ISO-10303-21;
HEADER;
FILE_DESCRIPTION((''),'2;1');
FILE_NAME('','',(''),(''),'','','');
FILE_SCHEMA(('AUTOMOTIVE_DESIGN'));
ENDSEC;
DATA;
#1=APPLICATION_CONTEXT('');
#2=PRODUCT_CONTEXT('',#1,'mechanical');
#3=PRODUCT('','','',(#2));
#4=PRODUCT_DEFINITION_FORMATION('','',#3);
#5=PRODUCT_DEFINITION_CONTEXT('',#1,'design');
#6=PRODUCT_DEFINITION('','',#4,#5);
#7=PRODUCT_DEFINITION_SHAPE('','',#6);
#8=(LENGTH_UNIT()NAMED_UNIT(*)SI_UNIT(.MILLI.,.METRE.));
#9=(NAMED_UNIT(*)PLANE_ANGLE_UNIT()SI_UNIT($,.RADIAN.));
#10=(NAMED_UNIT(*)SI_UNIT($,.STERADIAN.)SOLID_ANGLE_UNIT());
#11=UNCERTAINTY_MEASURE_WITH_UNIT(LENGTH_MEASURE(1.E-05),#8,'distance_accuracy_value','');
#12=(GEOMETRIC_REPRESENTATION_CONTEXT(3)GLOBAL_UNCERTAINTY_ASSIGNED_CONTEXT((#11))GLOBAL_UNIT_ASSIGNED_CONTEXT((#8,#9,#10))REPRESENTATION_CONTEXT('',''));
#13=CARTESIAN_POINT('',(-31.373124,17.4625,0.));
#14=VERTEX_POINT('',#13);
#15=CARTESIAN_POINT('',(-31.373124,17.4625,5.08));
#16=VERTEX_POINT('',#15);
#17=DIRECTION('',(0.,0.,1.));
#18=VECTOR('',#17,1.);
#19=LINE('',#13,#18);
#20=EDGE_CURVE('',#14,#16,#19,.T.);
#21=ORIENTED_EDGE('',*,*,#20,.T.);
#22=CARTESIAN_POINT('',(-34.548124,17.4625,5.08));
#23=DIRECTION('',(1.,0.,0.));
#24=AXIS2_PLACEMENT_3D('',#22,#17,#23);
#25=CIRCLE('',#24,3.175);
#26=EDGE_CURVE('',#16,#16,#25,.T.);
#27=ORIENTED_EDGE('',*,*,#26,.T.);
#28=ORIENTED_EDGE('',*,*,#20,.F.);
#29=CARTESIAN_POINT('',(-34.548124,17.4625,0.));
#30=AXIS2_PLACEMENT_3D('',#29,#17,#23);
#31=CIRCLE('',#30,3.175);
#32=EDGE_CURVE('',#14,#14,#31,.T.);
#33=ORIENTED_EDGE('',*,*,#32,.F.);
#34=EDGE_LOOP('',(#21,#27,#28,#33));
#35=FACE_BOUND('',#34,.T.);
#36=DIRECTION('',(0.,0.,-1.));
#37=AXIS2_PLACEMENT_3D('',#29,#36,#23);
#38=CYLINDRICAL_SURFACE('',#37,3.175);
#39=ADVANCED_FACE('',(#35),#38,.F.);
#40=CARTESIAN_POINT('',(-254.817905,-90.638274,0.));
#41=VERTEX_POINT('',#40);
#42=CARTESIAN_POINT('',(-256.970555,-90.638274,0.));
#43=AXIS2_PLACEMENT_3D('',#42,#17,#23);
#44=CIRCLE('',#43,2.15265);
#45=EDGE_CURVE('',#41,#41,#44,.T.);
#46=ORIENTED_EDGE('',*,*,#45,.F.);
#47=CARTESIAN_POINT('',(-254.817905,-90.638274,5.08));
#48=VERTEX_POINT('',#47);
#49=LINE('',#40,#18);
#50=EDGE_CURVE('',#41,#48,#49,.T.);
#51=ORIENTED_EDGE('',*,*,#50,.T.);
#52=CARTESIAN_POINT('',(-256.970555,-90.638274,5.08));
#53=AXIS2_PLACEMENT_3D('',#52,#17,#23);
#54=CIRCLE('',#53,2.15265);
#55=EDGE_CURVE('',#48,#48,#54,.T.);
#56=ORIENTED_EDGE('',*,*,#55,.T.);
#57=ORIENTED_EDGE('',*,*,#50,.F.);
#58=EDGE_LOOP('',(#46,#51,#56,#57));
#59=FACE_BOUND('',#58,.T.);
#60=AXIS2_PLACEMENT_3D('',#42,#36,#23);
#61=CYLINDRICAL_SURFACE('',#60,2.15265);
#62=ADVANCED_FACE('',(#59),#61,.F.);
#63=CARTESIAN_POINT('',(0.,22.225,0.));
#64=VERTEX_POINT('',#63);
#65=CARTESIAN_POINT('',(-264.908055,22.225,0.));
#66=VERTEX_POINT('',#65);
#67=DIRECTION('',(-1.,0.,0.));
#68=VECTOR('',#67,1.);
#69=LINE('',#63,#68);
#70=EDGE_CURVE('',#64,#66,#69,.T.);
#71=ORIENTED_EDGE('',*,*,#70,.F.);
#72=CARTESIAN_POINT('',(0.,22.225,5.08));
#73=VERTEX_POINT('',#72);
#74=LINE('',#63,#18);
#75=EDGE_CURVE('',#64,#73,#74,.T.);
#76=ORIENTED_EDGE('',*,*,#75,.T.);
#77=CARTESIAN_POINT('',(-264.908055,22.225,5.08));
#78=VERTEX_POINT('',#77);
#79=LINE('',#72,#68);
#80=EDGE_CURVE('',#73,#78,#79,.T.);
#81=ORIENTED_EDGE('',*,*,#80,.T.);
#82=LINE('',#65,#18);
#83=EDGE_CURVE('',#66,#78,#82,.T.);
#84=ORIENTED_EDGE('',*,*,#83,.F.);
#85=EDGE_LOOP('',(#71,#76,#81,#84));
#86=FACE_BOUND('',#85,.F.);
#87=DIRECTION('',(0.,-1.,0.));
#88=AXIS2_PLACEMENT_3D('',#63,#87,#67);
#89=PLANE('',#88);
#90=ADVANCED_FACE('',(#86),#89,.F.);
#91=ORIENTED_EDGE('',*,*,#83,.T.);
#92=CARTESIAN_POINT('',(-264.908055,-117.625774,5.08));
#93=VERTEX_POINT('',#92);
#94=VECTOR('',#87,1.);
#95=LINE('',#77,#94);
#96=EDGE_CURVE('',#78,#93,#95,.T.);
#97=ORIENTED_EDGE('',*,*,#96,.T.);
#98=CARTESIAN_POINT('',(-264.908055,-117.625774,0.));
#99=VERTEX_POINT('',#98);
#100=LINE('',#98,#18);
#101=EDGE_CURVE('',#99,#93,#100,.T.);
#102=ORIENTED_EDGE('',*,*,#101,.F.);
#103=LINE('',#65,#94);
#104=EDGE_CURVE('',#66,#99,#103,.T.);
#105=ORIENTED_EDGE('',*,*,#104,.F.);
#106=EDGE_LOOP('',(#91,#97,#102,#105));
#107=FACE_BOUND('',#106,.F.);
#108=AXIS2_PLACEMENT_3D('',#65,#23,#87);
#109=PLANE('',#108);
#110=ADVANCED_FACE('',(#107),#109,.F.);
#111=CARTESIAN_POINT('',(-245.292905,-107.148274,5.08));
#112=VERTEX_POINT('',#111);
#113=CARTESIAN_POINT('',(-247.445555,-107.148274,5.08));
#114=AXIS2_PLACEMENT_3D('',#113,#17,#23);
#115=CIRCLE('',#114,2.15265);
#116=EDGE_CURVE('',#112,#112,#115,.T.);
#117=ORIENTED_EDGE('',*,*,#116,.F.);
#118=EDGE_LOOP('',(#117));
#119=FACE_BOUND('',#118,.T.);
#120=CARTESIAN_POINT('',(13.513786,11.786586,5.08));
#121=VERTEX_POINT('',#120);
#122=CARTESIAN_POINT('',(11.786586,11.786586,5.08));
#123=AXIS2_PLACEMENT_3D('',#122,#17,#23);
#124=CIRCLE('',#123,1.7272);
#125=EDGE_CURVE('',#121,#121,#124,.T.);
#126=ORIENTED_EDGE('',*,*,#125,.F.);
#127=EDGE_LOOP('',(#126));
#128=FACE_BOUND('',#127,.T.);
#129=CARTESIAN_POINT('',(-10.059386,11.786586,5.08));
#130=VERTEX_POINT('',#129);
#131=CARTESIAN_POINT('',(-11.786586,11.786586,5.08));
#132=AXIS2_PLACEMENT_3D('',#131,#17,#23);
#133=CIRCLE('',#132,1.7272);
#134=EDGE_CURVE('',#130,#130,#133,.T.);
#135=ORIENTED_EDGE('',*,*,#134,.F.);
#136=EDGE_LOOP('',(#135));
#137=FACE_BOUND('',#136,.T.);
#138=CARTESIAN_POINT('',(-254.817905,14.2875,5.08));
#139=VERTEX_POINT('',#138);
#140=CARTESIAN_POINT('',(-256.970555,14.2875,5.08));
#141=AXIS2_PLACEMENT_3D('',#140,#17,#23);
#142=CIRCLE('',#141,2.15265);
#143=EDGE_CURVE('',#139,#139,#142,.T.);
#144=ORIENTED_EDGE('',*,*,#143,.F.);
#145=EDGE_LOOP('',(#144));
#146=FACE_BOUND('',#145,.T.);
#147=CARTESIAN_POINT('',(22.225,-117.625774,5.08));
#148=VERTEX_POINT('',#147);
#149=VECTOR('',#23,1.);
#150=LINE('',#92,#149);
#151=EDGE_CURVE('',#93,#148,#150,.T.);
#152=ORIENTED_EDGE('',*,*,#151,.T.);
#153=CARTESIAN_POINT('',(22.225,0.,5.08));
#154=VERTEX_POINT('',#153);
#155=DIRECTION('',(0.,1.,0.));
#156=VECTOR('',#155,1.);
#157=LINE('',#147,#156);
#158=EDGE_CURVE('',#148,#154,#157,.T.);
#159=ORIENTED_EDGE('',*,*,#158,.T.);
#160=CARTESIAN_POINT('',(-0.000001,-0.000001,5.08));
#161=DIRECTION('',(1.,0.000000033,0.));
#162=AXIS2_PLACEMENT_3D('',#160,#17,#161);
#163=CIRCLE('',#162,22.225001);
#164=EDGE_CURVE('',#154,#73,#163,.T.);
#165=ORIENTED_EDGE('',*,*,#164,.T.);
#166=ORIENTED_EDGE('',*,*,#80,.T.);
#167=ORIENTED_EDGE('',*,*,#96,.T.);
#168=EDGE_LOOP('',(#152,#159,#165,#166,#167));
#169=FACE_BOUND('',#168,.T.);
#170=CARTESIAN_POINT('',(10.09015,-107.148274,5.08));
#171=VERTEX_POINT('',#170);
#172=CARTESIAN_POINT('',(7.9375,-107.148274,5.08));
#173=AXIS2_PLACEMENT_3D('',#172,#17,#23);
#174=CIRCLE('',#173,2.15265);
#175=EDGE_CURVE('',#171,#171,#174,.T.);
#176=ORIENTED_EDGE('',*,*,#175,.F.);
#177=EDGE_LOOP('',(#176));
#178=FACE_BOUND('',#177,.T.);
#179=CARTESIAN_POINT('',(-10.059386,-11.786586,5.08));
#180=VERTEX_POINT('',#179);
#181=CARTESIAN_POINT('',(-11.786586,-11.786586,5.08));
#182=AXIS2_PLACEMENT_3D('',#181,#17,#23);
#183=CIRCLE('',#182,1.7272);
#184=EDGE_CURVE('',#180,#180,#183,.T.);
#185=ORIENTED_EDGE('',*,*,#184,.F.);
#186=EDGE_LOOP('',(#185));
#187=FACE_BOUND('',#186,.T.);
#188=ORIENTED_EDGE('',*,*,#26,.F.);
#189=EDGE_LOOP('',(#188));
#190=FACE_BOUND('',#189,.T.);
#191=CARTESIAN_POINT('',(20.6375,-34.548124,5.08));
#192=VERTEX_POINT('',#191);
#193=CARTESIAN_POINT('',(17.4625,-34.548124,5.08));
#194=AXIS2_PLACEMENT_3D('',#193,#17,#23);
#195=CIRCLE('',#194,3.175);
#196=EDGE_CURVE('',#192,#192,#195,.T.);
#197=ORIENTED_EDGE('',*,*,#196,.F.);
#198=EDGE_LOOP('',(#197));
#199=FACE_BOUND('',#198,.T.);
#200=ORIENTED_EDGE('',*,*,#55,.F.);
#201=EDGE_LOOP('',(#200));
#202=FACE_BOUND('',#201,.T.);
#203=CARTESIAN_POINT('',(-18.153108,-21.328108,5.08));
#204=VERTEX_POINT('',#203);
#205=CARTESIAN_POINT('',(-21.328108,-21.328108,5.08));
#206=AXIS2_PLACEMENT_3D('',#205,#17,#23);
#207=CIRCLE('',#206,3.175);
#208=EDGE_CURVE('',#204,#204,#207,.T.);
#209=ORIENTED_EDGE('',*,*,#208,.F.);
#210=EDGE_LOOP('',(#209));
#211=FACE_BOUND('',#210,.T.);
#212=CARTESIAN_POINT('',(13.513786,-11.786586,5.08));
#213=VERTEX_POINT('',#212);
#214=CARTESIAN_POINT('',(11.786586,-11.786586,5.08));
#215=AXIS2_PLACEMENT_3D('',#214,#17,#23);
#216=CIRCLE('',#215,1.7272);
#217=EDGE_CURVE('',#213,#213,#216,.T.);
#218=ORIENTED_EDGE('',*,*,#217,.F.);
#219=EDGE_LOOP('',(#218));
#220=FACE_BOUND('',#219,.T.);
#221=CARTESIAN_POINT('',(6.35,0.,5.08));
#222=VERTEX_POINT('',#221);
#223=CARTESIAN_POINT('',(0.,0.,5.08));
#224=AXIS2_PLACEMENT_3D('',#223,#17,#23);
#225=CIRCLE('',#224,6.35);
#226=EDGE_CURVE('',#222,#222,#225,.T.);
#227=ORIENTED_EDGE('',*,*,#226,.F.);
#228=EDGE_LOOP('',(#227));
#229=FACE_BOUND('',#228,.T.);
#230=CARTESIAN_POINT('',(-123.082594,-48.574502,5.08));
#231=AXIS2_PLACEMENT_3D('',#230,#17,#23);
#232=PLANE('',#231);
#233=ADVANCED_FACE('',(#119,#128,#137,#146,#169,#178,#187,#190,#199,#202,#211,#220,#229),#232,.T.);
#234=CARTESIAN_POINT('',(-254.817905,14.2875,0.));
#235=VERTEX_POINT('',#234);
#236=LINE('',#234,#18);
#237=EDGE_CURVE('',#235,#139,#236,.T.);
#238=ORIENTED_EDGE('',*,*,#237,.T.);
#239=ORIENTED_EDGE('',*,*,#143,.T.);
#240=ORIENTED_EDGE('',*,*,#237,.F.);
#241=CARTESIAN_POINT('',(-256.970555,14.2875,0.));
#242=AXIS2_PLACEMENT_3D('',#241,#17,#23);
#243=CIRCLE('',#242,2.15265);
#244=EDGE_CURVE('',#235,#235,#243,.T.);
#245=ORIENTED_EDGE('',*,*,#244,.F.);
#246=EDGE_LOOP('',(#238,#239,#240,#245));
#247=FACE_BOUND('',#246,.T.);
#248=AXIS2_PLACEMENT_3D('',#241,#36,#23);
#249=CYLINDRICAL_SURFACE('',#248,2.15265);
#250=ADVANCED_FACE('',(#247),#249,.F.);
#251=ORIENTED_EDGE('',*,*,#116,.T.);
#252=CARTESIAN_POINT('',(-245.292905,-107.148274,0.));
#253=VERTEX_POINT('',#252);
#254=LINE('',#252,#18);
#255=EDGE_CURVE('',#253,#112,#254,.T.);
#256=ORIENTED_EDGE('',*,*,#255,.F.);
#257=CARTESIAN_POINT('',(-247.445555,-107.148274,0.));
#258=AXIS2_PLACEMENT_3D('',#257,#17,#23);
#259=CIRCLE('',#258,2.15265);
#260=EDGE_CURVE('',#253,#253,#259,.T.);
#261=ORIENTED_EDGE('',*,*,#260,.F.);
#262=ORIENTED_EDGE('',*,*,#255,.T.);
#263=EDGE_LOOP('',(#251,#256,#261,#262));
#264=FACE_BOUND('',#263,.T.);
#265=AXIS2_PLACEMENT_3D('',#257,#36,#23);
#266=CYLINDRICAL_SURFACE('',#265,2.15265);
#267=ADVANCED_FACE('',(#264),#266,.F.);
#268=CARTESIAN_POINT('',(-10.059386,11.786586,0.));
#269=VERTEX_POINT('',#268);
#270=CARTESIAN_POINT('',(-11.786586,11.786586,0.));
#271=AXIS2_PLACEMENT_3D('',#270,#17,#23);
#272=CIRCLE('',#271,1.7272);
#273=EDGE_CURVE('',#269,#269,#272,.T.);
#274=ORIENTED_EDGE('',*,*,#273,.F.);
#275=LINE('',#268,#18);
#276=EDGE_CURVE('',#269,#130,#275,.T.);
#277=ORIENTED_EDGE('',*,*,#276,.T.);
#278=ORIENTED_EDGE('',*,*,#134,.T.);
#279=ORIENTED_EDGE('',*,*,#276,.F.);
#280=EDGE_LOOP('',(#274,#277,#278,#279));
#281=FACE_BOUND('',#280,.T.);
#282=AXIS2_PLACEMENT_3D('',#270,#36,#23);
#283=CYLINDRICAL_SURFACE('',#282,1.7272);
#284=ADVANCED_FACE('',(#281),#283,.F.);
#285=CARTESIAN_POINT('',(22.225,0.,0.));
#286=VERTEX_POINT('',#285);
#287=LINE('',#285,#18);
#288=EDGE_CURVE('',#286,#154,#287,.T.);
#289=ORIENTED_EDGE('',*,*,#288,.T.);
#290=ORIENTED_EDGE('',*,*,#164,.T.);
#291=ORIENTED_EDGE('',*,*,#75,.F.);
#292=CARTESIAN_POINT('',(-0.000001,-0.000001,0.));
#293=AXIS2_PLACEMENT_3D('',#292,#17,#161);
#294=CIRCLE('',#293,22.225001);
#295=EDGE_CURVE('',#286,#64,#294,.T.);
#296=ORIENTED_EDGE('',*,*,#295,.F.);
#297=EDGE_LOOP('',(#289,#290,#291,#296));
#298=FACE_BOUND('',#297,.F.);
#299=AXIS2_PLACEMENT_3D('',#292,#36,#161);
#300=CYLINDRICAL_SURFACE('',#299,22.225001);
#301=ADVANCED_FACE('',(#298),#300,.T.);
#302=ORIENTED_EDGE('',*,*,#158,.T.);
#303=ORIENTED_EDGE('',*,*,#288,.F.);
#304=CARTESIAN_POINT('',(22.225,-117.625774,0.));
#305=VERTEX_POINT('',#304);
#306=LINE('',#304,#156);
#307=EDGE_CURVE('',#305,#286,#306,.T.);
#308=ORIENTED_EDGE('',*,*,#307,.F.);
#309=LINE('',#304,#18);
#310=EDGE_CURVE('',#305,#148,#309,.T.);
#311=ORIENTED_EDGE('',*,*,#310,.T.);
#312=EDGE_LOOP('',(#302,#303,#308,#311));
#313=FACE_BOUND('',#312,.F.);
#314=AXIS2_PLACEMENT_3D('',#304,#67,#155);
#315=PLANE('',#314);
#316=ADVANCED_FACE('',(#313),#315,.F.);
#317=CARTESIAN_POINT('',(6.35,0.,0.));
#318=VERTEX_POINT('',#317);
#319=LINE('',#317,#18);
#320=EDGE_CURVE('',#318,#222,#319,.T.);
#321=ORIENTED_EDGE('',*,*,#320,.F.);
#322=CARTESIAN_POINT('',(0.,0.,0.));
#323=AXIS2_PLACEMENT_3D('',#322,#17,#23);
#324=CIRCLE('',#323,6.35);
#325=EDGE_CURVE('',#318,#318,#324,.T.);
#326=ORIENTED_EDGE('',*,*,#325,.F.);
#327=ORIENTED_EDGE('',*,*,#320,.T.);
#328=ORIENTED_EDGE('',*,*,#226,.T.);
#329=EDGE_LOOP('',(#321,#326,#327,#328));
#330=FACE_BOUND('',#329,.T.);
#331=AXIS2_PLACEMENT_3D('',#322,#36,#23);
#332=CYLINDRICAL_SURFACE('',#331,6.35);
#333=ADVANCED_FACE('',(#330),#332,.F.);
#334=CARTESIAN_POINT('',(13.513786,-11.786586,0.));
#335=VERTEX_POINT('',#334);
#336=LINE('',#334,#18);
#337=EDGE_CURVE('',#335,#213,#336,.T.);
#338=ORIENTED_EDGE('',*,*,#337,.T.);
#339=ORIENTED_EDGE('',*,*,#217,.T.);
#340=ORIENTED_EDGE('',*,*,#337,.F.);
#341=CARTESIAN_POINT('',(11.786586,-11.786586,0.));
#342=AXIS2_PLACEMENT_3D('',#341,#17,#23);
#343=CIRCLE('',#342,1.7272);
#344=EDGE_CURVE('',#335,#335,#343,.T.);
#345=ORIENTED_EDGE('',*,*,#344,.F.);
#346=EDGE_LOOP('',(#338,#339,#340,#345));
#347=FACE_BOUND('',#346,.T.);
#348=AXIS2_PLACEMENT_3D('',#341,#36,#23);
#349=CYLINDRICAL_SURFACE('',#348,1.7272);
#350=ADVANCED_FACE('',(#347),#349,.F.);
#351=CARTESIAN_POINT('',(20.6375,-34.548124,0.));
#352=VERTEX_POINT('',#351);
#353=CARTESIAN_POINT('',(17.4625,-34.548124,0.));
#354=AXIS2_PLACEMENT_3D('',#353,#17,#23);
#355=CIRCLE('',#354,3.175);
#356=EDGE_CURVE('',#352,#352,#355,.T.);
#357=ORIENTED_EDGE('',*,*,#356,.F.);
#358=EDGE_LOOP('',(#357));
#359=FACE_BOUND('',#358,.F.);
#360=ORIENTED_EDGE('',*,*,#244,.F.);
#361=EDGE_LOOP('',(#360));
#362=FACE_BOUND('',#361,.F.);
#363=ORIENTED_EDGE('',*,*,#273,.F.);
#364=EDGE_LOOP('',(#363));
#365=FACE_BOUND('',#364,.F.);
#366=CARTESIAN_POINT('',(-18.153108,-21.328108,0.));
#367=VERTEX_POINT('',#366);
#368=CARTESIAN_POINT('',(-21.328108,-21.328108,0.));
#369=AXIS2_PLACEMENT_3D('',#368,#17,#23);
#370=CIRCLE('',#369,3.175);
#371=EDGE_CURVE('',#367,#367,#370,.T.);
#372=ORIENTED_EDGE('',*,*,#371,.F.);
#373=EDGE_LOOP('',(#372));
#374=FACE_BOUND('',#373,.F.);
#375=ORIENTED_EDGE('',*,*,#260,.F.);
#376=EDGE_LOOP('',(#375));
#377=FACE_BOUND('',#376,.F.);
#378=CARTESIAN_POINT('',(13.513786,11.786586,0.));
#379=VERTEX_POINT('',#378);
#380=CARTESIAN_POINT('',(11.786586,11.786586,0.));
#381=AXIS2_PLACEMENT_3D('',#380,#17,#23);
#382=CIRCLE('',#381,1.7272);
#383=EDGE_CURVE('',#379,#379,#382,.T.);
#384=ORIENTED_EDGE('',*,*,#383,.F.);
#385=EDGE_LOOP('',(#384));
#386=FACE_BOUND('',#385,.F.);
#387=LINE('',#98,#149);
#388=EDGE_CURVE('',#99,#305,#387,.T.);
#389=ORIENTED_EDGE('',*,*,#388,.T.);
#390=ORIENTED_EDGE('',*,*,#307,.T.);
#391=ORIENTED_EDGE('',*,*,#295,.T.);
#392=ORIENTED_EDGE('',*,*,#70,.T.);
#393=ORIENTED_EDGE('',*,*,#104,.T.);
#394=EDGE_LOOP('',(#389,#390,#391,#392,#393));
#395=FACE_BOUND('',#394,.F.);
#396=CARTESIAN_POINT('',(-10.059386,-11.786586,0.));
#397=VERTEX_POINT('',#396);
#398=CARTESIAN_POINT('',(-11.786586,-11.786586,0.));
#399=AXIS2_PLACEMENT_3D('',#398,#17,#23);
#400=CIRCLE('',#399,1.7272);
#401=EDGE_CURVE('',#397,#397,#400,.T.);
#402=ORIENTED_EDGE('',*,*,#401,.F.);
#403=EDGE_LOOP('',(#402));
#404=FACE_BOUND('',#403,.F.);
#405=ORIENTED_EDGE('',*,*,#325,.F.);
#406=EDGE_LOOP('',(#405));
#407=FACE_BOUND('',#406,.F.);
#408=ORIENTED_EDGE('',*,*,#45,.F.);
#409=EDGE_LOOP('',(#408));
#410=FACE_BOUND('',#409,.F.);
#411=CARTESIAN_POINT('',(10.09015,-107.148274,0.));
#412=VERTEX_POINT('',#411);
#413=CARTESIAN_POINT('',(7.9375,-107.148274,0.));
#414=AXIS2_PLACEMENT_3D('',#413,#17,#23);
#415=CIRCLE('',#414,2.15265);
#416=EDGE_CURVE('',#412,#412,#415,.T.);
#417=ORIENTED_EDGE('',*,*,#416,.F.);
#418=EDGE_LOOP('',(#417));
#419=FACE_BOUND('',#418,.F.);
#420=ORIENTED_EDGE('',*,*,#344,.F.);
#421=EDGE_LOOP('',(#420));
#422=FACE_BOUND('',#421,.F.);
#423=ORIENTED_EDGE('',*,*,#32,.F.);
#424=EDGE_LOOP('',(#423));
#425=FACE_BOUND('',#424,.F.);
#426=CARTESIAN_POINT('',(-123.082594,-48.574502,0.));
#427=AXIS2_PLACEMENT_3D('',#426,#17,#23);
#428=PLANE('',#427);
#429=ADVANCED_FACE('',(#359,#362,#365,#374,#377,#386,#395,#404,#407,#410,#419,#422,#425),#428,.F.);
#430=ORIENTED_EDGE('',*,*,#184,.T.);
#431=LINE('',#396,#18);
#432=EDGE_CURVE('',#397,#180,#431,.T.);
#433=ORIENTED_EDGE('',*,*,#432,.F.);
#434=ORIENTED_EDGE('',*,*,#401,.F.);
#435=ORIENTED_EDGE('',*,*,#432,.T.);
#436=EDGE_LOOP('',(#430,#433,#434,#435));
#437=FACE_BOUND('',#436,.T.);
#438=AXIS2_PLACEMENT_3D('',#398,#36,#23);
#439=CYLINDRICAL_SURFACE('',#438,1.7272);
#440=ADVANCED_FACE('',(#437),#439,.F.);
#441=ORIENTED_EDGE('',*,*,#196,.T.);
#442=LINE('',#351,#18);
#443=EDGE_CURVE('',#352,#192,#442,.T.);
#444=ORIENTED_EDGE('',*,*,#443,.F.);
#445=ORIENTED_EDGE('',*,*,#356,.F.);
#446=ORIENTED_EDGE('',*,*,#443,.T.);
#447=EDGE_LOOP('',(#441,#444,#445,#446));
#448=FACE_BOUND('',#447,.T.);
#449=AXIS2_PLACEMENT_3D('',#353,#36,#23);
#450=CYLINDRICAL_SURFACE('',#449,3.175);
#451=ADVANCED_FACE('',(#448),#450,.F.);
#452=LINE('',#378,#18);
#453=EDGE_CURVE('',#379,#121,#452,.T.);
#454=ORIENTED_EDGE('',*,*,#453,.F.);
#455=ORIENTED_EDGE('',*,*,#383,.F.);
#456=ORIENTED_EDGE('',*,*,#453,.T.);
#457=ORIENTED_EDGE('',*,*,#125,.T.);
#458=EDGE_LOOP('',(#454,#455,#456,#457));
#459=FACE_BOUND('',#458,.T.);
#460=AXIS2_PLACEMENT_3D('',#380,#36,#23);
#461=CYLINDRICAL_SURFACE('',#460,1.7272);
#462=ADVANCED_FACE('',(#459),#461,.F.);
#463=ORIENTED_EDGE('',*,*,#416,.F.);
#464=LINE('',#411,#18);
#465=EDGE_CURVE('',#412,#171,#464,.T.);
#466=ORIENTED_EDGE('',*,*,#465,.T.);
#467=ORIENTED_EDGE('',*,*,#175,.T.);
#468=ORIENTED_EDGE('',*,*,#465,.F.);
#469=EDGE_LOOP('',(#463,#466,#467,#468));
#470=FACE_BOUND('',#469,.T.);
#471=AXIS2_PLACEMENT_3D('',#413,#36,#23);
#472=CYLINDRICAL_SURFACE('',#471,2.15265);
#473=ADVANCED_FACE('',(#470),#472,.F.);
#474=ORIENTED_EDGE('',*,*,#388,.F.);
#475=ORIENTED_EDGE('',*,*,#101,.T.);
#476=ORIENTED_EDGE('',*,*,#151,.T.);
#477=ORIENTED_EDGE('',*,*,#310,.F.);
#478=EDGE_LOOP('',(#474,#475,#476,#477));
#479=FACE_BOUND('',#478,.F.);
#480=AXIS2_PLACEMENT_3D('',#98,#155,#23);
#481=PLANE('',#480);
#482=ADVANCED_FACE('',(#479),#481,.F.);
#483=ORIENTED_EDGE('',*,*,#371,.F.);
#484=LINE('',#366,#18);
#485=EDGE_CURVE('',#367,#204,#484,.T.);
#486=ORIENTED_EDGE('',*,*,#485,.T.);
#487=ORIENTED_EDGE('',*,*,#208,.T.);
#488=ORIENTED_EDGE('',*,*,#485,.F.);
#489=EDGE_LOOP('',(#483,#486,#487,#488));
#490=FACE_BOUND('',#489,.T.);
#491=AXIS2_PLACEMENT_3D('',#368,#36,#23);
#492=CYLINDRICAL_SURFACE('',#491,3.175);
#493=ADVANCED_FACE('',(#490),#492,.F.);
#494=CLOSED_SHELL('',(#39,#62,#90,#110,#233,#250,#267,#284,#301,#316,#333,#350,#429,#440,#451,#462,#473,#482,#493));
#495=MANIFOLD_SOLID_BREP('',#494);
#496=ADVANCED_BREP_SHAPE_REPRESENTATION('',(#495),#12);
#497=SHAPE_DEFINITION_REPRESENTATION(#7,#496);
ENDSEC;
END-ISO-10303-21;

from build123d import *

# Parameters (mm, degrees)
F0_R     = 2.15265
F0_R_2   = 3.175
F0_R_3   = 1.7272
F0_R_4   = 6.35
F1_DEPTH = 5.08


with BuildPart() as f1:
    # F0 (on Top) → F1 (new body)
    with BuildSketch(Plane.XY):
        with BuildLine():
            Line((0, 22.225), (-264.908055, 22.225))
            Line((-264.908055, 22.225), (-264.908055, -117.625774))
            Line((-264.908055, -117.625774), (22.225, -117.625774))
            Line((22.225, -117.625774), (22.225, 0))
            ThreePointArc((22.225, 0), (15.715448, 15.715448), (0, 22.225))
        make_face()
        with Locations((-247.445555, -107.148274)):
            Circle(F0_R, mode=Mode.SUBTRACT)
        with Locations((-256.970555, -90.638274)):
            Circle(F0_R, mode=Mode.SUBTRACT)
        with Locations((7.9375, -107.148274)):
            Circle(F0_R, mode=Mode.SUBTRACT)
        with Locations((-256.970555, 14.2875)):
            Circle(F0_R, mode=Mode.SUBTRACT)
        with Locations((17.4625, -34.548124)):
            Circle(F0_R_2, mode=Mode.SUBTRACT)
        with Locations((-21.328108, -21.328108)):
            Circle(F0_R_2, mode=Mode.SUBTRACT)
        with Locations((-11.786586, -11.786586)):
            Circle(F0_R_3, mode=Mode.SUBTRACT)
        with Locations((11.786586, -11.786586)):
            Circle(F0_R_3, mode=Mode.SUBTRACT)
        Circle(F0_R_4, mode=Mode.SUBTRACT)
        with Locations((-34.548124, 17.4625)):
            Circle(F0_R_2, mode=Mode.SUBTRACT)
        with Locations((-11.786586, 11.786586)):
            Circle(F0_R_3, mode=Mode.SUBTRACT)
        with Locations((11.786586, 11.786586)):
            Circle(F0_R_3, mode=Mode.SUBTRACT)
    extrude(amount=F1_DEPTH)


solid = f1.part
